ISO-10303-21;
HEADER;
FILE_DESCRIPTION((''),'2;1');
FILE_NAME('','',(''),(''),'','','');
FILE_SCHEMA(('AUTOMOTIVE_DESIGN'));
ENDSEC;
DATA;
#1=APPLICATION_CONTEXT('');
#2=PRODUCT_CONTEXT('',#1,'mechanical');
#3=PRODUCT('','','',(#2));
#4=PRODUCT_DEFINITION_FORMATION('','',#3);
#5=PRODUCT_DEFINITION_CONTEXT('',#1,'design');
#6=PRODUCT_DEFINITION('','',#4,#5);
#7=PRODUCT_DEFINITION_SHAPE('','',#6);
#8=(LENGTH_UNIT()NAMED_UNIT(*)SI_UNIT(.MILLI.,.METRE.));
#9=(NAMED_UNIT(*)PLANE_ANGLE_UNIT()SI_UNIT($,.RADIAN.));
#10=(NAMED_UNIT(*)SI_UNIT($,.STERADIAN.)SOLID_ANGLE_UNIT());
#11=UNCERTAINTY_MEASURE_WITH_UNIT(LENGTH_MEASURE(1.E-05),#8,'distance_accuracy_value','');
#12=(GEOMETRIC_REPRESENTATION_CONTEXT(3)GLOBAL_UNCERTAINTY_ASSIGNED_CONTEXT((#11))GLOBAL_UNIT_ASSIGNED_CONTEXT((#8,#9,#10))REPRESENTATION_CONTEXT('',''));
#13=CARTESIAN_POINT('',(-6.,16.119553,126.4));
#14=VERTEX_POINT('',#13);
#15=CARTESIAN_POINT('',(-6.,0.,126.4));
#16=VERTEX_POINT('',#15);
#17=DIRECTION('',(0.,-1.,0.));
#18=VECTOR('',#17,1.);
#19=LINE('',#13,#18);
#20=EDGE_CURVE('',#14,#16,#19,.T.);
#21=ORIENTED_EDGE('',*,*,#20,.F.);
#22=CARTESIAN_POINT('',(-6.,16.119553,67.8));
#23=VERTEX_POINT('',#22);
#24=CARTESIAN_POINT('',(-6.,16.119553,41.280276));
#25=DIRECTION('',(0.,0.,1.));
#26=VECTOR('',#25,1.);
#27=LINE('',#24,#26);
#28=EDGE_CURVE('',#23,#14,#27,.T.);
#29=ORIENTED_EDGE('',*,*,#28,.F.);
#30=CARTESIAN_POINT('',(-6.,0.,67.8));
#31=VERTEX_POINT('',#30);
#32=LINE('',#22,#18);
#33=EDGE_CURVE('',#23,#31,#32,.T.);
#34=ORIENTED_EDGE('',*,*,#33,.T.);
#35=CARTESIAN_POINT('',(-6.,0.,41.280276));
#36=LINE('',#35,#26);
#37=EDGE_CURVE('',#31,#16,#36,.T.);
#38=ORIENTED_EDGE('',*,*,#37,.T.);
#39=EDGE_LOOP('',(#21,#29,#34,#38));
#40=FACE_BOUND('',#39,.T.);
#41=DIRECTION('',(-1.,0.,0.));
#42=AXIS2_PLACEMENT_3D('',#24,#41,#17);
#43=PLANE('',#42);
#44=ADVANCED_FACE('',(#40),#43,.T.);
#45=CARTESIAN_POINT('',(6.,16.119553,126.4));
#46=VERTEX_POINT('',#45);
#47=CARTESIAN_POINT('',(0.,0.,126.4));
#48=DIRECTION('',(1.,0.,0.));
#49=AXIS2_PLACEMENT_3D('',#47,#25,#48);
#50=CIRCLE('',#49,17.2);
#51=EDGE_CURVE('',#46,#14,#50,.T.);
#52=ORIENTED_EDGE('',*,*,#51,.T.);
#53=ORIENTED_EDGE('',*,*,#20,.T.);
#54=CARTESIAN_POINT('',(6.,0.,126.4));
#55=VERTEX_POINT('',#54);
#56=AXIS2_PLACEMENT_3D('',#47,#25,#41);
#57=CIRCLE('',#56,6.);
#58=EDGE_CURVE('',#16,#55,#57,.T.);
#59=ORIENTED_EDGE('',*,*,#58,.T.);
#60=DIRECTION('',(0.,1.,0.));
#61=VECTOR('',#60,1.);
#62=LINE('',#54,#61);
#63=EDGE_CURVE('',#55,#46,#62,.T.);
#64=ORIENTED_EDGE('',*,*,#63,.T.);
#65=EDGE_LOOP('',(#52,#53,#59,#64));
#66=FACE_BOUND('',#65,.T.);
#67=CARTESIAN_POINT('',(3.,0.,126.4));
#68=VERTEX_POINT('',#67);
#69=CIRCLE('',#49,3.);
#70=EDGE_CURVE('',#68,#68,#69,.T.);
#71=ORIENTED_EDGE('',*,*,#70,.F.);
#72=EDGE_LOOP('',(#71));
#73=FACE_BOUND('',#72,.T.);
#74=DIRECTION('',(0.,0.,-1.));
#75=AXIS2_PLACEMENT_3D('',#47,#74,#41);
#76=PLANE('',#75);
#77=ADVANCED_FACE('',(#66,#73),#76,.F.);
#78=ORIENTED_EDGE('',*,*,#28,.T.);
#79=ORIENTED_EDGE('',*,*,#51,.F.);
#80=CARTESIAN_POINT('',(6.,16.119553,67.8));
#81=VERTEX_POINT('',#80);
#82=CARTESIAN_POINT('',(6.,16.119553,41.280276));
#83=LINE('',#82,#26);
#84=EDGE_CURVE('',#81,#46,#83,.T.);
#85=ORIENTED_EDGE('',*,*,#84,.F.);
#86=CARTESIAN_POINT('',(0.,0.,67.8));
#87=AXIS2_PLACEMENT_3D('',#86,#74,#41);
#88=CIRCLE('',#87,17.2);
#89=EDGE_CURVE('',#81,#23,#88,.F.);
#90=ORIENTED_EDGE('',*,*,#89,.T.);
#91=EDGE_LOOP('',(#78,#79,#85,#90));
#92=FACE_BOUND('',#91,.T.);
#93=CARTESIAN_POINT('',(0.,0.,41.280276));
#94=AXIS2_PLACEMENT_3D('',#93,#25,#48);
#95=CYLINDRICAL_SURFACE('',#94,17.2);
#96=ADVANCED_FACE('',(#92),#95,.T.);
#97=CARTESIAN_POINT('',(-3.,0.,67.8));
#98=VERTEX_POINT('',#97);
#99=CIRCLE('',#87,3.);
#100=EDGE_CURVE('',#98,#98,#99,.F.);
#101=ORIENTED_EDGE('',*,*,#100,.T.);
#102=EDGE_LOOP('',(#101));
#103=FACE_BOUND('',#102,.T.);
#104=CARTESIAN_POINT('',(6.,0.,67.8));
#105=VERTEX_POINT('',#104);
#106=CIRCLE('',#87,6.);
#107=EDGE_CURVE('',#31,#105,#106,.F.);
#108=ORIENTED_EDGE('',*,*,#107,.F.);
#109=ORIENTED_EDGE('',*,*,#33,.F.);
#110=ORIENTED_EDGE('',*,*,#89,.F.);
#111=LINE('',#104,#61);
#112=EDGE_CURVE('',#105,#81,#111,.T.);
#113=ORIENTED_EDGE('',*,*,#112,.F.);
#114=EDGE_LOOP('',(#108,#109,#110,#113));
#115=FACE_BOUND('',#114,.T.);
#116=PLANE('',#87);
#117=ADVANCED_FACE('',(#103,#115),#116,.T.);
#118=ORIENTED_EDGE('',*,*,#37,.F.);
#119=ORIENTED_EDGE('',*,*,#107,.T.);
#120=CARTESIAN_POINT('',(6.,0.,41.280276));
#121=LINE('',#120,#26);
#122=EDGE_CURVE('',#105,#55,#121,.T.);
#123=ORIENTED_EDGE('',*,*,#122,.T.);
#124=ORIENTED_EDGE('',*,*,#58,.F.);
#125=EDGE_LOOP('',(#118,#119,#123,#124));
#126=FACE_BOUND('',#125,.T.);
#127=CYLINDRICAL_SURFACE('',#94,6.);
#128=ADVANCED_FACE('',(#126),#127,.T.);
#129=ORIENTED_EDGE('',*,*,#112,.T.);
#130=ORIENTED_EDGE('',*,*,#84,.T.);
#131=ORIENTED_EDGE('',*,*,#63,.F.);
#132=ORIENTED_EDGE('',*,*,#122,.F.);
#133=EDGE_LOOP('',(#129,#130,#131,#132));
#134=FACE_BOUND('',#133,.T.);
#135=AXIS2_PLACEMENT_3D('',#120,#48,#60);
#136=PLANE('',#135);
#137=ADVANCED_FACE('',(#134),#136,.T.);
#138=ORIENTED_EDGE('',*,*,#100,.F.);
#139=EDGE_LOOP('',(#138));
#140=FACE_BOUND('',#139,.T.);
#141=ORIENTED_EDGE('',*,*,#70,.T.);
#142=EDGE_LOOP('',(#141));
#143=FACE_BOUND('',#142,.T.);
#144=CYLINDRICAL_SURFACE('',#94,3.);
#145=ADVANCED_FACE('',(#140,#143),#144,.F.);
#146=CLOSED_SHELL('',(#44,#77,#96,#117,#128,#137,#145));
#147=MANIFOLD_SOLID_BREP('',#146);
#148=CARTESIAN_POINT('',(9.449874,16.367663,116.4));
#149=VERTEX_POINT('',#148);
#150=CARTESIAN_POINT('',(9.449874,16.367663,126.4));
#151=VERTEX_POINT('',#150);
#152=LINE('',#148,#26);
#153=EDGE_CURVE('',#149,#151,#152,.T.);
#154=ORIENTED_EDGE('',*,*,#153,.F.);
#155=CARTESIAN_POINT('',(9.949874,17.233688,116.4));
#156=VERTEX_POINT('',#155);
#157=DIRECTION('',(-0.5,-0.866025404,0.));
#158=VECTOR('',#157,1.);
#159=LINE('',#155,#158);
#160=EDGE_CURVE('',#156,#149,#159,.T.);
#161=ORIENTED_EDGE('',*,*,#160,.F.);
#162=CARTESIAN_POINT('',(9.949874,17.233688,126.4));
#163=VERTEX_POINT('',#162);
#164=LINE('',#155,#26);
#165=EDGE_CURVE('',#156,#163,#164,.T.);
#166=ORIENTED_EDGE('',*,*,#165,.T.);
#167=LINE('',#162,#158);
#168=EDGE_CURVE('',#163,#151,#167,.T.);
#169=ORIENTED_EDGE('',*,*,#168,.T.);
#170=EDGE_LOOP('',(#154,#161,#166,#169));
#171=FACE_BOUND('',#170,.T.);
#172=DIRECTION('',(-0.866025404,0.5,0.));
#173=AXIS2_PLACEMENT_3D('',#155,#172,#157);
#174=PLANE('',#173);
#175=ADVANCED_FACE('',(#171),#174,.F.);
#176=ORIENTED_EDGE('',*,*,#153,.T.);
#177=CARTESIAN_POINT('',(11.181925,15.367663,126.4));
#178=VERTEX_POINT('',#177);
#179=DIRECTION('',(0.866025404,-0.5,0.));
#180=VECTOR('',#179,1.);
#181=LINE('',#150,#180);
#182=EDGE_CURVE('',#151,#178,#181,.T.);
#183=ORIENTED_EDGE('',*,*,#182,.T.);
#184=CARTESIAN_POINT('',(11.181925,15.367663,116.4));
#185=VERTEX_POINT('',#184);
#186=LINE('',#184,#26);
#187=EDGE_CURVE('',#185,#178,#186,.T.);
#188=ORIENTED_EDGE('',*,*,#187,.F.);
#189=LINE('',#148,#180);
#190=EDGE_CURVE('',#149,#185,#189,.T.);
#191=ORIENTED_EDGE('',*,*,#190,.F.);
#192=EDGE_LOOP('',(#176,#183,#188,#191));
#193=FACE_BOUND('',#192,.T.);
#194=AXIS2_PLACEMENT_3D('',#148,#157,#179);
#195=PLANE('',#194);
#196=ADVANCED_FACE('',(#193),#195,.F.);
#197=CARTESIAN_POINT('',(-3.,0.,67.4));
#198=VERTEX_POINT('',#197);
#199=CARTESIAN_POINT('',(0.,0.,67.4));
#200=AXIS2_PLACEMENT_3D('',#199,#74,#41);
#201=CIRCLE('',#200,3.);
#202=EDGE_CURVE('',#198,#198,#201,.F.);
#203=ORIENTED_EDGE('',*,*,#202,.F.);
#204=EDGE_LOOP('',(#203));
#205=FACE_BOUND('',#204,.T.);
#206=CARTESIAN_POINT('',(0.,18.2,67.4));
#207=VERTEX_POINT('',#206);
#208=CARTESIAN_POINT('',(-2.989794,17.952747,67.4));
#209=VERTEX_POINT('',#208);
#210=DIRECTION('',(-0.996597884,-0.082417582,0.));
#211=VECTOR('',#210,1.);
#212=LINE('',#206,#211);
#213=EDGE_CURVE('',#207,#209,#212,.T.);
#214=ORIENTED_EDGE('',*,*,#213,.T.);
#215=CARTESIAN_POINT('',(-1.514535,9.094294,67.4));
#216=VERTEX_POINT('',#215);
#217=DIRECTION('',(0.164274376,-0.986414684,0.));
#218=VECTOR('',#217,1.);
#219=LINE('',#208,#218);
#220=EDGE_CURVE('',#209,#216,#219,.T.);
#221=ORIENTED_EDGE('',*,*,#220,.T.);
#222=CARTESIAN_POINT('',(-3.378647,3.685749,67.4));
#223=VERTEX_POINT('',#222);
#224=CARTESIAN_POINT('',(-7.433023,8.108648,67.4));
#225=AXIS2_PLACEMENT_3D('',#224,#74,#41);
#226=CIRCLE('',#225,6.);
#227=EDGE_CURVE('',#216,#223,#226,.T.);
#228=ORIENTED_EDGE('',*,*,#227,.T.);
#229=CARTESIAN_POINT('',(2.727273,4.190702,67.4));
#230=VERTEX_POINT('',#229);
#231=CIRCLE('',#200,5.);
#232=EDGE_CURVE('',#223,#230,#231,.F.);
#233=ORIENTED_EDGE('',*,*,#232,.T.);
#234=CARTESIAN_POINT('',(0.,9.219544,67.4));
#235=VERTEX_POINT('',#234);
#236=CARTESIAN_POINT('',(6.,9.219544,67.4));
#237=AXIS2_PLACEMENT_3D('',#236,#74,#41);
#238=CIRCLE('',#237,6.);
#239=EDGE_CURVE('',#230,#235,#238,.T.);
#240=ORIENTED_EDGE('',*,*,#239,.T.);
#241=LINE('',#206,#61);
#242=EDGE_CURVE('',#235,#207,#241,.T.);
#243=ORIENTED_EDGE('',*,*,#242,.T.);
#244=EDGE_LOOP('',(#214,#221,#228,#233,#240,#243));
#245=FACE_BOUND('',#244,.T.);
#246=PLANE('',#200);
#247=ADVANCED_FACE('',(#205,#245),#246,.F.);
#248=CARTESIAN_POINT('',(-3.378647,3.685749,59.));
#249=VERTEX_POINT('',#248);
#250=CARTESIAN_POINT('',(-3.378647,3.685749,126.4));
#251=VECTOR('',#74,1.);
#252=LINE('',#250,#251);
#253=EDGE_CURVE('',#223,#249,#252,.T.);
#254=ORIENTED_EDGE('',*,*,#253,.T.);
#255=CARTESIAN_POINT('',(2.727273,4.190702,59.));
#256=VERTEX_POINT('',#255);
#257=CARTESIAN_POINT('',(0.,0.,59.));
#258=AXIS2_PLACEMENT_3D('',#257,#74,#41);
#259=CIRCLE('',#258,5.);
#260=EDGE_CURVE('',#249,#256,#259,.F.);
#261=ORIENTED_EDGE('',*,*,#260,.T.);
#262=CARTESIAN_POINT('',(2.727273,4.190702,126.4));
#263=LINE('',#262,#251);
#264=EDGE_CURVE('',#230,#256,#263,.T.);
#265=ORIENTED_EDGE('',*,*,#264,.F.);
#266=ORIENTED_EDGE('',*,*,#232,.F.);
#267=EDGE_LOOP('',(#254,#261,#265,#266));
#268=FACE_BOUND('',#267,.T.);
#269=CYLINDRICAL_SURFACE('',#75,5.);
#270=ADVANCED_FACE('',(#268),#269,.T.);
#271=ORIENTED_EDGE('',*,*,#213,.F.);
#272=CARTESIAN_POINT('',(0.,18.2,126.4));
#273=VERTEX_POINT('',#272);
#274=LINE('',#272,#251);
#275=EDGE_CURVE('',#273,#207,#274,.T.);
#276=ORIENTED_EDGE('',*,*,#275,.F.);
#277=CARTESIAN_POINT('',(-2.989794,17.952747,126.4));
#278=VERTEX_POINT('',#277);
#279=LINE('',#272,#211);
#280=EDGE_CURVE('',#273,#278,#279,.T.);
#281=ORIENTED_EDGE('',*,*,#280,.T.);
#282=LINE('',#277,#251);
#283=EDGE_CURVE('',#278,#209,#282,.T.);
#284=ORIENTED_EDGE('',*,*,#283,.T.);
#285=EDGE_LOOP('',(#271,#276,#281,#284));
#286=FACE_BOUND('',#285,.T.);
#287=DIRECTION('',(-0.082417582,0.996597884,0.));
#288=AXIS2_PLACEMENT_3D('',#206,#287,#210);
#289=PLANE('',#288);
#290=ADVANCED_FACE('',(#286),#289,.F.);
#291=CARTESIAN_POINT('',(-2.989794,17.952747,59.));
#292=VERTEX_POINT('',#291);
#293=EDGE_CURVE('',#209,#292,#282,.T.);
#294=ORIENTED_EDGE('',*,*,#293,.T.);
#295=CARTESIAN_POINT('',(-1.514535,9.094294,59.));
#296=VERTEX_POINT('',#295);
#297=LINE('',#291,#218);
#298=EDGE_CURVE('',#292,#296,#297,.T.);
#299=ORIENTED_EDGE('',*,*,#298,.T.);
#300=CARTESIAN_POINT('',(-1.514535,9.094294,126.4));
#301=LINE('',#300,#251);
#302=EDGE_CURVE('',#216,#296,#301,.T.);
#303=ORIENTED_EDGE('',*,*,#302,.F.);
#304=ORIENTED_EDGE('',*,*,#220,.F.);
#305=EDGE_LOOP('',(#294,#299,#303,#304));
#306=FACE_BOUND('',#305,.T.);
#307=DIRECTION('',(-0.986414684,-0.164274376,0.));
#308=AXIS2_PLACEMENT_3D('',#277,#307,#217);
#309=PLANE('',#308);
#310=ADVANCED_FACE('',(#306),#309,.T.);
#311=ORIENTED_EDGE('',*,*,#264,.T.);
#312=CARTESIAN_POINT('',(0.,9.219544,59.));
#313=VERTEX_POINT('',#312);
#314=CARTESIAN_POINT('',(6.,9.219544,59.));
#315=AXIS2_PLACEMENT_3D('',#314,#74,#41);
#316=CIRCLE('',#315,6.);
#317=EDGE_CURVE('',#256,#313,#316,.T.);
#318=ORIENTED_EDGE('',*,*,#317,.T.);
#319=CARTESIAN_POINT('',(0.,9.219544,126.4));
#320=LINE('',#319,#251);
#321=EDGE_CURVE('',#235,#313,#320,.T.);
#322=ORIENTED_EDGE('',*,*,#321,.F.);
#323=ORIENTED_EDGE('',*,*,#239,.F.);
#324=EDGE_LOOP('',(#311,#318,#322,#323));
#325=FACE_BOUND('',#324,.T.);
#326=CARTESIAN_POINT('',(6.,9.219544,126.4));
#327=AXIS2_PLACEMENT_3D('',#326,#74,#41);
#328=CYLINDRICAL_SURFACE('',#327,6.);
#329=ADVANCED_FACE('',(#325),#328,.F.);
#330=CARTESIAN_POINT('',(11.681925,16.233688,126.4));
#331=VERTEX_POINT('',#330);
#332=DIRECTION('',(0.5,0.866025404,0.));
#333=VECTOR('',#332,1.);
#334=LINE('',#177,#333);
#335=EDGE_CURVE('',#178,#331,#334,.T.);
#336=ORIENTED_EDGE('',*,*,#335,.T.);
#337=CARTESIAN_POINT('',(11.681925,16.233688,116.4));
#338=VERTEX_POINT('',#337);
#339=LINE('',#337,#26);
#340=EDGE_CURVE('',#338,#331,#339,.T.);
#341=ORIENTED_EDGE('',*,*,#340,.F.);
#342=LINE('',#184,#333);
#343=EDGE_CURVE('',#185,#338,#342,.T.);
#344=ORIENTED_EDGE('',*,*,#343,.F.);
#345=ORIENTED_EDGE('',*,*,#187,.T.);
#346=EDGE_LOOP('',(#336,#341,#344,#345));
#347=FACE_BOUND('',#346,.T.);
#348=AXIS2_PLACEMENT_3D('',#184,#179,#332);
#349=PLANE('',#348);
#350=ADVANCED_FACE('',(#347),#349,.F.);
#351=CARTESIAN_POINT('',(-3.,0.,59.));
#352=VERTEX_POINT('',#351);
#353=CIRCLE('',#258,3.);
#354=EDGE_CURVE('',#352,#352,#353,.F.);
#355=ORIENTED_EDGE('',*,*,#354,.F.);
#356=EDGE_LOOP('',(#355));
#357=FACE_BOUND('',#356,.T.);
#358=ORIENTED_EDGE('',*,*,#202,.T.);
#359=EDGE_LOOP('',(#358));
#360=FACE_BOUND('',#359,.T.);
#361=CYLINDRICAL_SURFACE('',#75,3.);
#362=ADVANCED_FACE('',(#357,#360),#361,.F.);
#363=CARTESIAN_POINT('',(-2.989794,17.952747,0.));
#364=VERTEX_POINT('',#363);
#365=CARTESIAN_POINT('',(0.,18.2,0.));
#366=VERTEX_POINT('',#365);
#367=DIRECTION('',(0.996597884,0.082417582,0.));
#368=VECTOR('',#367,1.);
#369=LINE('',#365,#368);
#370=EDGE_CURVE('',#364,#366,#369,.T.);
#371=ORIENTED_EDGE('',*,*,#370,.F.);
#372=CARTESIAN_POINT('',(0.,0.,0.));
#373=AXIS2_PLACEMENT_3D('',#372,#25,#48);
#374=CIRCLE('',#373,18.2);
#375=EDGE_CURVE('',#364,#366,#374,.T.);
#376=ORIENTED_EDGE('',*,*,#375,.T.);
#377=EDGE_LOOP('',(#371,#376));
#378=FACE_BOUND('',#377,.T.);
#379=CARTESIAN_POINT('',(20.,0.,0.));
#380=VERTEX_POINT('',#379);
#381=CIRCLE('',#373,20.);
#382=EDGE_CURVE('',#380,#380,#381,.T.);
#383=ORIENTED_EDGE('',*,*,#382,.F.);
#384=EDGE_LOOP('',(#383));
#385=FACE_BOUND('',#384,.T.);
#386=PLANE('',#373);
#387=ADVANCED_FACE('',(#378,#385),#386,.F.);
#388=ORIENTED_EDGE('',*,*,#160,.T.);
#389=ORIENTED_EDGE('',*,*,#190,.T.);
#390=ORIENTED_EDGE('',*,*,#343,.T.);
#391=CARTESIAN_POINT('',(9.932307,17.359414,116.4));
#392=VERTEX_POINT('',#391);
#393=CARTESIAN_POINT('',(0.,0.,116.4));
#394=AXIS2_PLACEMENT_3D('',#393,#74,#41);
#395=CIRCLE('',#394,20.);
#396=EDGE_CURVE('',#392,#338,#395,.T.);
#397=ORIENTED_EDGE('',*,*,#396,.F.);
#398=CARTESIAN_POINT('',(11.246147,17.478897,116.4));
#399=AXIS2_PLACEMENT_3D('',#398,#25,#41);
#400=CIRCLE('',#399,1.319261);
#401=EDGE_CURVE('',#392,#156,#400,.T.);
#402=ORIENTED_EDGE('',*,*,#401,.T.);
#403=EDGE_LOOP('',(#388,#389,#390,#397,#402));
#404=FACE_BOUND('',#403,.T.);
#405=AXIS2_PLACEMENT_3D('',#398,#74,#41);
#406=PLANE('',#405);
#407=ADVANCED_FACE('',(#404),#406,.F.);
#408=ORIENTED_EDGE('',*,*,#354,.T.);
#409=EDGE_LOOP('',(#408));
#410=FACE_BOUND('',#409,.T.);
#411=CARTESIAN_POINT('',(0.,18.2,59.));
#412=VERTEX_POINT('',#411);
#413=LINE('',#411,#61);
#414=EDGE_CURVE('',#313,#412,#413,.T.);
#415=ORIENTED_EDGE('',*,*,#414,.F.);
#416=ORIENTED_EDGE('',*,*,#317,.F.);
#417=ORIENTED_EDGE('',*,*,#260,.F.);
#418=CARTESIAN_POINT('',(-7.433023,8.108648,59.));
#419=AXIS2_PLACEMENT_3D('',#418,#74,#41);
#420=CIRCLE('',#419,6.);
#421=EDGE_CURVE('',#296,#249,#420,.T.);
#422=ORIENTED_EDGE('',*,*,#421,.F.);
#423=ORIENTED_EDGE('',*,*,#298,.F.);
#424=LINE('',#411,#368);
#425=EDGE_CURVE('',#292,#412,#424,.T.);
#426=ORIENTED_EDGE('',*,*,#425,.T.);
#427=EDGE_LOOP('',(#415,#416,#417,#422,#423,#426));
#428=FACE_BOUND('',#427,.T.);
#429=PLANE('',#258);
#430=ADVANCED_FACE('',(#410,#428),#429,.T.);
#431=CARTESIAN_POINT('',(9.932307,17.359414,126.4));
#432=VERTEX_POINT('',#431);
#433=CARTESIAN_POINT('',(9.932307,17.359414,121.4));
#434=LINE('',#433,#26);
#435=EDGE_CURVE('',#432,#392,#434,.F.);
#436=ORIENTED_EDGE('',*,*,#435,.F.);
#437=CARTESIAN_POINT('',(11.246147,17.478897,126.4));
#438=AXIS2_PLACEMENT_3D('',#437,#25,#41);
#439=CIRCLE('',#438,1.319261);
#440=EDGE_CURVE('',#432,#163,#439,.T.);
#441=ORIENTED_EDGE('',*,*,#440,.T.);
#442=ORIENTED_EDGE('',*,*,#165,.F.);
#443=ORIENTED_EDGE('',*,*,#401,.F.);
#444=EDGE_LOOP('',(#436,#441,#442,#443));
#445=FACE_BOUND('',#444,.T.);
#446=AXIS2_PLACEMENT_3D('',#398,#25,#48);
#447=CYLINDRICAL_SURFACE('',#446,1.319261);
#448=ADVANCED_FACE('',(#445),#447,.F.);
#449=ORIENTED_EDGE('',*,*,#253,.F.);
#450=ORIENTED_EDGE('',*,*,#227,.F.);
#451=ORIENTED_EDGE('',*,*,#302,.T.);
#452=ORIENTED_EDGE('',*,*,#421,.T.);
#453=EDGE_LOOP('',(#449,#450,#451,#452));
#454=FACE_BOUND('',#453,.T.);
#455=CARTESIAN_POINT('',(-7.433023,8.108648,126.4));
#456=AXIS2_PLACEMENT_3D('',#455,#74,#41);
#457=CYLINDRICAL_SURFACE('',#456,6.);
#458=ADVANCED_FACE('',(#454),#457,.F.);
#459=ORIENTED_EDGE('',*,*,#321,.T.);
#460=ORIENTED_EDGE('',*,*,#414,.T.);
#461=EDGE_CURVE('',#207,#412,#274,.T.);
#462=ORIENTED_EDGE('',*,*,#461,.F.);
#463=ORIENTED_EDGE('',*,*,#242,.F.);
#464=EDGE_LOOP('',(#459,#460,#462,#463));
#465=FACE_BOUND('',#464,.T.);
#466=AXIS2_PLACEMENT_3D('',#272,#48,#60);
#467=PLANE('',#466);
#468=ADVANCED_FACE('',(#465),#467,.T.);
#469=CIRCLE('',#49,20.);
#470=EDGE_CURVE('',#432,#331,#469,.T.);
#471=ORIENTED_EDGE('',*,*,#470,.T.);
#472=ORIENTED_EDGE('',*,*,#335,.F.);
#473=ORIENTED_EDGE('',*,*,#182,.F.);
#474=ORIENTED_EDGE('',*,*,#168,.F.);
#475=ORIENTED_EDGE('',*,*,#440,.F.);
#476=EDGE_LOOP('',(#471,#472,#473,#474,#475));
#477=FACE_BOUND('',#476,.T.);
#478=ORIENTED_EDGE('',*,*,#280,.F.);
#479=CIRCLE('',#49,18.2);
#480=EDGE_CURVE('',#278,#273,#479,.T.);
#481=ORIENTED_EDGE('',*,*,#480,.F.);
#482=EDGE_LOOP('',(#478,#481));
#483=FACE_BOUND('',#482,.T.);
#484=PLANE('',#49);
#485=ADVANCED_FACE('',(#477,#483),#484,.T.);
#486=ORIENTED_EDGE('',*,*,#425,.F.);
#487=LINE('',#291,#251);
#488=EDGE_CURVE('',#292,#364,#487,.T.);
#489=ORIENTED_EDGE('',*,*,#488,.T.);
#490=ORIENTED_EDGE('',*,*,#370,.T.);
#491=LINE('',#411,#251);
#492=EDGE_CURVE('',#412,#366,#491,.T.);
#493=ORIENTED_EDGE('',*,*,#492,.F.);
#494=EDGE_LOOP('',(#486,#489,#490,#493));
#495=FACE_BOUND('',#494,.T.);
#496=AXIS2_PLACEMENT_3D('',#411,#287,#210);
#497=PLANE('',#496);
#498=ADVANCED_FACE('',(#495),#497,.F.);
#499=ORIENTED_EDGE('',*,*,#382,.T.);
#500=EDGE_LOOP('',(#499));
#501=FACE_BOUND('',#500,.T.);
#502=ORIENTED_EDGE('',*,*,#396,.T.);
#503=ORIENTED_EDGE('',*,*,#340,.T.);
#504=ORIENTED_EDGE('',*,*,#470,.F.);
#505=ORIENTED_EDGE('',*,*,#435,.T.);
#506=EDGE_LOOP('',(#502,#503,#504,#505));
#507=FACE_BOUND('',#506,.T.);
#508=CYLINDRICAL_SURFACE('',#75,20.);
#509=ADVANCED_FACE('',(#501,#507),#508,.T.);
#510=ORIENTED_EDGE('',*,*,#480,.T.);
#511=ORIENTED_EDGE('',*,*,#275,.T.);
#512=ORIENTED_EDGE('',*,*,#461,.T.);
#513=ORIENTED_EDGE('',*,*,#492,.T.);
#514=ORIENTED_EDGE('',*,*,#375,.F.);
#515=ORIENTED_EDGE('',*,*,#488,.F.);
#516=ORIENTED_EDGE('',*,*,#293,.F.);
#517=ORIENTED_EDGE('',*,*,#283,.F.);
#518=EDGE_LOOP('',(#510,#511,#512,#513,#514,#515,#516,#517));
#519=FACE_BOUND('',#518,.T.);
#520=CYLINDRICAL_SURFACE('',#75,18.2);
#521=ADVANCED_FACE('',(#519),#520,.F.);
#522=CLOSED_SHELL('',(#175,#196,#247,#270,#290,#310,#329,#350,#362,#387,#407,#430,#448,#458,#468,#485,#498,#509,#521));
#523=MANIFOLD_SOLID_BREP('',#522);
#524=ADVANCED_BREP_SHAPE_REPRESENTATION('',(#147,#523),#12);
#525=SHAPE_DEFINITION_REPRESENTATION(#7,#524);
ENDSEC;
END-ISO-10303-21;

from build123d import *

# Parameters (mm, degrees)
SKETCH_2_R          = 20
SKETCH_2_R_2        = 18.2
EXTRUDE_1_DEPTH     = 126.4
SKETCH_5_R          = 3
EXTRUDE_3_DEPTH     = 126.4
CUT_EXTRUDE1_DEPTH  = 59
CUT_EXTRUDE2_DEPTH  = 59
SKETCH3_R           = 3
BOSS_EXTRUDE1_DEPTH = 58.6
CUT_EXTRUDE3_DEPTH  = 10


with BuildPart() as part:
    # Эскиз2 → Бобышка-Вытянуть1 (new body)
    with BuildSketch(Plane.XY):
        Circle(SKETCH_2_R)
        Circle(SKETCH_2_R_2, mode=Mode.SUBTRACT)
    extrude(amount=EXTRUDE_1_DEPTH)

    # Эскиз5 → Бобышка-Вытянуть3 (add, through all)
    with BuildSketch(Plane(origin=(0, 0, 0), x_dir=(-1, 0, 0), z_dir=(0, 0, -1))):
        with BuildLine():
            Line((0, 18.2), (0, 9.219544457))
            ThreePointArc((0, 9.219544457), (-0.725705562, 6.35915669), (-2.727272727, 4.190702026))
            ThreePointArc((-2.727272727, 4.190702026), (-0.412087912, -4.982989419), (3.378646828, 3.685748989))
            ThreePointArc((3.378646828, 3.685748989), (1.760493123, 6.153550709), (1.514534917, 9.094294034))
            Line((1.514534917, 9.094294034), (2.989793652, 17.952747253))
            ThreePointArc((2.989793652, 17.952747253), (1.5, 18.138081486), (0, 18.2))
        make_face()
        Circle(SKETCH_5_R, mode=Mode.SUBTRACT)
    extrude(amount=-EXTRUDE_3_DEPTH)

    # Sketch1 → Cut-Extrude1 (cut)
    with BuildSketch(Plane(origin=(0, 0, 0), x_dir=(-1, 0, 0), z_dir=(0, 0, -1))):
        with BuildLine():
            Line((0, 18.2), (2.989793652, 17.952747253))
            ThreePointArc((2.989793652, 17.952747253), (-1.5, -18.138081486), (0, 18.2))
        make_face()
    extrude(amount=-CUT_EXTRUDE1_DEPTH, mode=Mode.SUBTRACT)

    # Sketch2 → Cut-Extrude2 (cut)
    with BuildSketch(Plane.XY.offset(126.4)):
        with BuildLine():
            Line((0, 18.2), (-2.989793652, 17.952747253))
            ThreePointArc((-2.989793652, 17.952747253), (1.5, -18.138081486), (0, 18.2))
        make_face()
    extrude(amount=-CUT_EXTRUDE2_DEPTH, mode=Mode.SUBTRACT)

    # Sketch4 → Cut-Extrude3 (cut)
    with BuildSketch(Plane.XY.offset(126.4)):
        with BuildLine():
            Line((9.949874371, 17.23368794), (9.449874371, 16.367662536))
            Line((9.449874371, 16.367662536), (11.181925179, 15.367662536))
            Line((11.181925179, 15.367662536), (11.681925179, 16.23368794))
            ThreePointArc((11.681925179, 16.23368794), (11.905777201, 18.621411015), (9.949874371, 17.23368794))
        make_face()
    extrude(amount=-CUT_EXTRUDE3_DEPTH, mode=Mode.SUBTRACT)


with BuildPart() as body_2:
    # Sketch3 → Boss-Extrude1 (new body)
    with BuildSketch(Plane.XY.offset(126.4)):
        with BuildLine():
            Line((6, 0), (6, 16.119553344))
            ThreePointArc((6, 16.119553344), (0, 17.2), (-6, 16.119553344))
            Line((-6, 16.119553344), (-6, 0))
            ThreePointArc((-6, 0), (0, -6), (6, 0))
        make_face()
        Circle(SKETCH3_R, mode=Mode.SUBTRACT)
    extrude(amount=-BOSS_EXTRUDE1_DEPTH)


solid = Compound([part.part, body_2.part])
